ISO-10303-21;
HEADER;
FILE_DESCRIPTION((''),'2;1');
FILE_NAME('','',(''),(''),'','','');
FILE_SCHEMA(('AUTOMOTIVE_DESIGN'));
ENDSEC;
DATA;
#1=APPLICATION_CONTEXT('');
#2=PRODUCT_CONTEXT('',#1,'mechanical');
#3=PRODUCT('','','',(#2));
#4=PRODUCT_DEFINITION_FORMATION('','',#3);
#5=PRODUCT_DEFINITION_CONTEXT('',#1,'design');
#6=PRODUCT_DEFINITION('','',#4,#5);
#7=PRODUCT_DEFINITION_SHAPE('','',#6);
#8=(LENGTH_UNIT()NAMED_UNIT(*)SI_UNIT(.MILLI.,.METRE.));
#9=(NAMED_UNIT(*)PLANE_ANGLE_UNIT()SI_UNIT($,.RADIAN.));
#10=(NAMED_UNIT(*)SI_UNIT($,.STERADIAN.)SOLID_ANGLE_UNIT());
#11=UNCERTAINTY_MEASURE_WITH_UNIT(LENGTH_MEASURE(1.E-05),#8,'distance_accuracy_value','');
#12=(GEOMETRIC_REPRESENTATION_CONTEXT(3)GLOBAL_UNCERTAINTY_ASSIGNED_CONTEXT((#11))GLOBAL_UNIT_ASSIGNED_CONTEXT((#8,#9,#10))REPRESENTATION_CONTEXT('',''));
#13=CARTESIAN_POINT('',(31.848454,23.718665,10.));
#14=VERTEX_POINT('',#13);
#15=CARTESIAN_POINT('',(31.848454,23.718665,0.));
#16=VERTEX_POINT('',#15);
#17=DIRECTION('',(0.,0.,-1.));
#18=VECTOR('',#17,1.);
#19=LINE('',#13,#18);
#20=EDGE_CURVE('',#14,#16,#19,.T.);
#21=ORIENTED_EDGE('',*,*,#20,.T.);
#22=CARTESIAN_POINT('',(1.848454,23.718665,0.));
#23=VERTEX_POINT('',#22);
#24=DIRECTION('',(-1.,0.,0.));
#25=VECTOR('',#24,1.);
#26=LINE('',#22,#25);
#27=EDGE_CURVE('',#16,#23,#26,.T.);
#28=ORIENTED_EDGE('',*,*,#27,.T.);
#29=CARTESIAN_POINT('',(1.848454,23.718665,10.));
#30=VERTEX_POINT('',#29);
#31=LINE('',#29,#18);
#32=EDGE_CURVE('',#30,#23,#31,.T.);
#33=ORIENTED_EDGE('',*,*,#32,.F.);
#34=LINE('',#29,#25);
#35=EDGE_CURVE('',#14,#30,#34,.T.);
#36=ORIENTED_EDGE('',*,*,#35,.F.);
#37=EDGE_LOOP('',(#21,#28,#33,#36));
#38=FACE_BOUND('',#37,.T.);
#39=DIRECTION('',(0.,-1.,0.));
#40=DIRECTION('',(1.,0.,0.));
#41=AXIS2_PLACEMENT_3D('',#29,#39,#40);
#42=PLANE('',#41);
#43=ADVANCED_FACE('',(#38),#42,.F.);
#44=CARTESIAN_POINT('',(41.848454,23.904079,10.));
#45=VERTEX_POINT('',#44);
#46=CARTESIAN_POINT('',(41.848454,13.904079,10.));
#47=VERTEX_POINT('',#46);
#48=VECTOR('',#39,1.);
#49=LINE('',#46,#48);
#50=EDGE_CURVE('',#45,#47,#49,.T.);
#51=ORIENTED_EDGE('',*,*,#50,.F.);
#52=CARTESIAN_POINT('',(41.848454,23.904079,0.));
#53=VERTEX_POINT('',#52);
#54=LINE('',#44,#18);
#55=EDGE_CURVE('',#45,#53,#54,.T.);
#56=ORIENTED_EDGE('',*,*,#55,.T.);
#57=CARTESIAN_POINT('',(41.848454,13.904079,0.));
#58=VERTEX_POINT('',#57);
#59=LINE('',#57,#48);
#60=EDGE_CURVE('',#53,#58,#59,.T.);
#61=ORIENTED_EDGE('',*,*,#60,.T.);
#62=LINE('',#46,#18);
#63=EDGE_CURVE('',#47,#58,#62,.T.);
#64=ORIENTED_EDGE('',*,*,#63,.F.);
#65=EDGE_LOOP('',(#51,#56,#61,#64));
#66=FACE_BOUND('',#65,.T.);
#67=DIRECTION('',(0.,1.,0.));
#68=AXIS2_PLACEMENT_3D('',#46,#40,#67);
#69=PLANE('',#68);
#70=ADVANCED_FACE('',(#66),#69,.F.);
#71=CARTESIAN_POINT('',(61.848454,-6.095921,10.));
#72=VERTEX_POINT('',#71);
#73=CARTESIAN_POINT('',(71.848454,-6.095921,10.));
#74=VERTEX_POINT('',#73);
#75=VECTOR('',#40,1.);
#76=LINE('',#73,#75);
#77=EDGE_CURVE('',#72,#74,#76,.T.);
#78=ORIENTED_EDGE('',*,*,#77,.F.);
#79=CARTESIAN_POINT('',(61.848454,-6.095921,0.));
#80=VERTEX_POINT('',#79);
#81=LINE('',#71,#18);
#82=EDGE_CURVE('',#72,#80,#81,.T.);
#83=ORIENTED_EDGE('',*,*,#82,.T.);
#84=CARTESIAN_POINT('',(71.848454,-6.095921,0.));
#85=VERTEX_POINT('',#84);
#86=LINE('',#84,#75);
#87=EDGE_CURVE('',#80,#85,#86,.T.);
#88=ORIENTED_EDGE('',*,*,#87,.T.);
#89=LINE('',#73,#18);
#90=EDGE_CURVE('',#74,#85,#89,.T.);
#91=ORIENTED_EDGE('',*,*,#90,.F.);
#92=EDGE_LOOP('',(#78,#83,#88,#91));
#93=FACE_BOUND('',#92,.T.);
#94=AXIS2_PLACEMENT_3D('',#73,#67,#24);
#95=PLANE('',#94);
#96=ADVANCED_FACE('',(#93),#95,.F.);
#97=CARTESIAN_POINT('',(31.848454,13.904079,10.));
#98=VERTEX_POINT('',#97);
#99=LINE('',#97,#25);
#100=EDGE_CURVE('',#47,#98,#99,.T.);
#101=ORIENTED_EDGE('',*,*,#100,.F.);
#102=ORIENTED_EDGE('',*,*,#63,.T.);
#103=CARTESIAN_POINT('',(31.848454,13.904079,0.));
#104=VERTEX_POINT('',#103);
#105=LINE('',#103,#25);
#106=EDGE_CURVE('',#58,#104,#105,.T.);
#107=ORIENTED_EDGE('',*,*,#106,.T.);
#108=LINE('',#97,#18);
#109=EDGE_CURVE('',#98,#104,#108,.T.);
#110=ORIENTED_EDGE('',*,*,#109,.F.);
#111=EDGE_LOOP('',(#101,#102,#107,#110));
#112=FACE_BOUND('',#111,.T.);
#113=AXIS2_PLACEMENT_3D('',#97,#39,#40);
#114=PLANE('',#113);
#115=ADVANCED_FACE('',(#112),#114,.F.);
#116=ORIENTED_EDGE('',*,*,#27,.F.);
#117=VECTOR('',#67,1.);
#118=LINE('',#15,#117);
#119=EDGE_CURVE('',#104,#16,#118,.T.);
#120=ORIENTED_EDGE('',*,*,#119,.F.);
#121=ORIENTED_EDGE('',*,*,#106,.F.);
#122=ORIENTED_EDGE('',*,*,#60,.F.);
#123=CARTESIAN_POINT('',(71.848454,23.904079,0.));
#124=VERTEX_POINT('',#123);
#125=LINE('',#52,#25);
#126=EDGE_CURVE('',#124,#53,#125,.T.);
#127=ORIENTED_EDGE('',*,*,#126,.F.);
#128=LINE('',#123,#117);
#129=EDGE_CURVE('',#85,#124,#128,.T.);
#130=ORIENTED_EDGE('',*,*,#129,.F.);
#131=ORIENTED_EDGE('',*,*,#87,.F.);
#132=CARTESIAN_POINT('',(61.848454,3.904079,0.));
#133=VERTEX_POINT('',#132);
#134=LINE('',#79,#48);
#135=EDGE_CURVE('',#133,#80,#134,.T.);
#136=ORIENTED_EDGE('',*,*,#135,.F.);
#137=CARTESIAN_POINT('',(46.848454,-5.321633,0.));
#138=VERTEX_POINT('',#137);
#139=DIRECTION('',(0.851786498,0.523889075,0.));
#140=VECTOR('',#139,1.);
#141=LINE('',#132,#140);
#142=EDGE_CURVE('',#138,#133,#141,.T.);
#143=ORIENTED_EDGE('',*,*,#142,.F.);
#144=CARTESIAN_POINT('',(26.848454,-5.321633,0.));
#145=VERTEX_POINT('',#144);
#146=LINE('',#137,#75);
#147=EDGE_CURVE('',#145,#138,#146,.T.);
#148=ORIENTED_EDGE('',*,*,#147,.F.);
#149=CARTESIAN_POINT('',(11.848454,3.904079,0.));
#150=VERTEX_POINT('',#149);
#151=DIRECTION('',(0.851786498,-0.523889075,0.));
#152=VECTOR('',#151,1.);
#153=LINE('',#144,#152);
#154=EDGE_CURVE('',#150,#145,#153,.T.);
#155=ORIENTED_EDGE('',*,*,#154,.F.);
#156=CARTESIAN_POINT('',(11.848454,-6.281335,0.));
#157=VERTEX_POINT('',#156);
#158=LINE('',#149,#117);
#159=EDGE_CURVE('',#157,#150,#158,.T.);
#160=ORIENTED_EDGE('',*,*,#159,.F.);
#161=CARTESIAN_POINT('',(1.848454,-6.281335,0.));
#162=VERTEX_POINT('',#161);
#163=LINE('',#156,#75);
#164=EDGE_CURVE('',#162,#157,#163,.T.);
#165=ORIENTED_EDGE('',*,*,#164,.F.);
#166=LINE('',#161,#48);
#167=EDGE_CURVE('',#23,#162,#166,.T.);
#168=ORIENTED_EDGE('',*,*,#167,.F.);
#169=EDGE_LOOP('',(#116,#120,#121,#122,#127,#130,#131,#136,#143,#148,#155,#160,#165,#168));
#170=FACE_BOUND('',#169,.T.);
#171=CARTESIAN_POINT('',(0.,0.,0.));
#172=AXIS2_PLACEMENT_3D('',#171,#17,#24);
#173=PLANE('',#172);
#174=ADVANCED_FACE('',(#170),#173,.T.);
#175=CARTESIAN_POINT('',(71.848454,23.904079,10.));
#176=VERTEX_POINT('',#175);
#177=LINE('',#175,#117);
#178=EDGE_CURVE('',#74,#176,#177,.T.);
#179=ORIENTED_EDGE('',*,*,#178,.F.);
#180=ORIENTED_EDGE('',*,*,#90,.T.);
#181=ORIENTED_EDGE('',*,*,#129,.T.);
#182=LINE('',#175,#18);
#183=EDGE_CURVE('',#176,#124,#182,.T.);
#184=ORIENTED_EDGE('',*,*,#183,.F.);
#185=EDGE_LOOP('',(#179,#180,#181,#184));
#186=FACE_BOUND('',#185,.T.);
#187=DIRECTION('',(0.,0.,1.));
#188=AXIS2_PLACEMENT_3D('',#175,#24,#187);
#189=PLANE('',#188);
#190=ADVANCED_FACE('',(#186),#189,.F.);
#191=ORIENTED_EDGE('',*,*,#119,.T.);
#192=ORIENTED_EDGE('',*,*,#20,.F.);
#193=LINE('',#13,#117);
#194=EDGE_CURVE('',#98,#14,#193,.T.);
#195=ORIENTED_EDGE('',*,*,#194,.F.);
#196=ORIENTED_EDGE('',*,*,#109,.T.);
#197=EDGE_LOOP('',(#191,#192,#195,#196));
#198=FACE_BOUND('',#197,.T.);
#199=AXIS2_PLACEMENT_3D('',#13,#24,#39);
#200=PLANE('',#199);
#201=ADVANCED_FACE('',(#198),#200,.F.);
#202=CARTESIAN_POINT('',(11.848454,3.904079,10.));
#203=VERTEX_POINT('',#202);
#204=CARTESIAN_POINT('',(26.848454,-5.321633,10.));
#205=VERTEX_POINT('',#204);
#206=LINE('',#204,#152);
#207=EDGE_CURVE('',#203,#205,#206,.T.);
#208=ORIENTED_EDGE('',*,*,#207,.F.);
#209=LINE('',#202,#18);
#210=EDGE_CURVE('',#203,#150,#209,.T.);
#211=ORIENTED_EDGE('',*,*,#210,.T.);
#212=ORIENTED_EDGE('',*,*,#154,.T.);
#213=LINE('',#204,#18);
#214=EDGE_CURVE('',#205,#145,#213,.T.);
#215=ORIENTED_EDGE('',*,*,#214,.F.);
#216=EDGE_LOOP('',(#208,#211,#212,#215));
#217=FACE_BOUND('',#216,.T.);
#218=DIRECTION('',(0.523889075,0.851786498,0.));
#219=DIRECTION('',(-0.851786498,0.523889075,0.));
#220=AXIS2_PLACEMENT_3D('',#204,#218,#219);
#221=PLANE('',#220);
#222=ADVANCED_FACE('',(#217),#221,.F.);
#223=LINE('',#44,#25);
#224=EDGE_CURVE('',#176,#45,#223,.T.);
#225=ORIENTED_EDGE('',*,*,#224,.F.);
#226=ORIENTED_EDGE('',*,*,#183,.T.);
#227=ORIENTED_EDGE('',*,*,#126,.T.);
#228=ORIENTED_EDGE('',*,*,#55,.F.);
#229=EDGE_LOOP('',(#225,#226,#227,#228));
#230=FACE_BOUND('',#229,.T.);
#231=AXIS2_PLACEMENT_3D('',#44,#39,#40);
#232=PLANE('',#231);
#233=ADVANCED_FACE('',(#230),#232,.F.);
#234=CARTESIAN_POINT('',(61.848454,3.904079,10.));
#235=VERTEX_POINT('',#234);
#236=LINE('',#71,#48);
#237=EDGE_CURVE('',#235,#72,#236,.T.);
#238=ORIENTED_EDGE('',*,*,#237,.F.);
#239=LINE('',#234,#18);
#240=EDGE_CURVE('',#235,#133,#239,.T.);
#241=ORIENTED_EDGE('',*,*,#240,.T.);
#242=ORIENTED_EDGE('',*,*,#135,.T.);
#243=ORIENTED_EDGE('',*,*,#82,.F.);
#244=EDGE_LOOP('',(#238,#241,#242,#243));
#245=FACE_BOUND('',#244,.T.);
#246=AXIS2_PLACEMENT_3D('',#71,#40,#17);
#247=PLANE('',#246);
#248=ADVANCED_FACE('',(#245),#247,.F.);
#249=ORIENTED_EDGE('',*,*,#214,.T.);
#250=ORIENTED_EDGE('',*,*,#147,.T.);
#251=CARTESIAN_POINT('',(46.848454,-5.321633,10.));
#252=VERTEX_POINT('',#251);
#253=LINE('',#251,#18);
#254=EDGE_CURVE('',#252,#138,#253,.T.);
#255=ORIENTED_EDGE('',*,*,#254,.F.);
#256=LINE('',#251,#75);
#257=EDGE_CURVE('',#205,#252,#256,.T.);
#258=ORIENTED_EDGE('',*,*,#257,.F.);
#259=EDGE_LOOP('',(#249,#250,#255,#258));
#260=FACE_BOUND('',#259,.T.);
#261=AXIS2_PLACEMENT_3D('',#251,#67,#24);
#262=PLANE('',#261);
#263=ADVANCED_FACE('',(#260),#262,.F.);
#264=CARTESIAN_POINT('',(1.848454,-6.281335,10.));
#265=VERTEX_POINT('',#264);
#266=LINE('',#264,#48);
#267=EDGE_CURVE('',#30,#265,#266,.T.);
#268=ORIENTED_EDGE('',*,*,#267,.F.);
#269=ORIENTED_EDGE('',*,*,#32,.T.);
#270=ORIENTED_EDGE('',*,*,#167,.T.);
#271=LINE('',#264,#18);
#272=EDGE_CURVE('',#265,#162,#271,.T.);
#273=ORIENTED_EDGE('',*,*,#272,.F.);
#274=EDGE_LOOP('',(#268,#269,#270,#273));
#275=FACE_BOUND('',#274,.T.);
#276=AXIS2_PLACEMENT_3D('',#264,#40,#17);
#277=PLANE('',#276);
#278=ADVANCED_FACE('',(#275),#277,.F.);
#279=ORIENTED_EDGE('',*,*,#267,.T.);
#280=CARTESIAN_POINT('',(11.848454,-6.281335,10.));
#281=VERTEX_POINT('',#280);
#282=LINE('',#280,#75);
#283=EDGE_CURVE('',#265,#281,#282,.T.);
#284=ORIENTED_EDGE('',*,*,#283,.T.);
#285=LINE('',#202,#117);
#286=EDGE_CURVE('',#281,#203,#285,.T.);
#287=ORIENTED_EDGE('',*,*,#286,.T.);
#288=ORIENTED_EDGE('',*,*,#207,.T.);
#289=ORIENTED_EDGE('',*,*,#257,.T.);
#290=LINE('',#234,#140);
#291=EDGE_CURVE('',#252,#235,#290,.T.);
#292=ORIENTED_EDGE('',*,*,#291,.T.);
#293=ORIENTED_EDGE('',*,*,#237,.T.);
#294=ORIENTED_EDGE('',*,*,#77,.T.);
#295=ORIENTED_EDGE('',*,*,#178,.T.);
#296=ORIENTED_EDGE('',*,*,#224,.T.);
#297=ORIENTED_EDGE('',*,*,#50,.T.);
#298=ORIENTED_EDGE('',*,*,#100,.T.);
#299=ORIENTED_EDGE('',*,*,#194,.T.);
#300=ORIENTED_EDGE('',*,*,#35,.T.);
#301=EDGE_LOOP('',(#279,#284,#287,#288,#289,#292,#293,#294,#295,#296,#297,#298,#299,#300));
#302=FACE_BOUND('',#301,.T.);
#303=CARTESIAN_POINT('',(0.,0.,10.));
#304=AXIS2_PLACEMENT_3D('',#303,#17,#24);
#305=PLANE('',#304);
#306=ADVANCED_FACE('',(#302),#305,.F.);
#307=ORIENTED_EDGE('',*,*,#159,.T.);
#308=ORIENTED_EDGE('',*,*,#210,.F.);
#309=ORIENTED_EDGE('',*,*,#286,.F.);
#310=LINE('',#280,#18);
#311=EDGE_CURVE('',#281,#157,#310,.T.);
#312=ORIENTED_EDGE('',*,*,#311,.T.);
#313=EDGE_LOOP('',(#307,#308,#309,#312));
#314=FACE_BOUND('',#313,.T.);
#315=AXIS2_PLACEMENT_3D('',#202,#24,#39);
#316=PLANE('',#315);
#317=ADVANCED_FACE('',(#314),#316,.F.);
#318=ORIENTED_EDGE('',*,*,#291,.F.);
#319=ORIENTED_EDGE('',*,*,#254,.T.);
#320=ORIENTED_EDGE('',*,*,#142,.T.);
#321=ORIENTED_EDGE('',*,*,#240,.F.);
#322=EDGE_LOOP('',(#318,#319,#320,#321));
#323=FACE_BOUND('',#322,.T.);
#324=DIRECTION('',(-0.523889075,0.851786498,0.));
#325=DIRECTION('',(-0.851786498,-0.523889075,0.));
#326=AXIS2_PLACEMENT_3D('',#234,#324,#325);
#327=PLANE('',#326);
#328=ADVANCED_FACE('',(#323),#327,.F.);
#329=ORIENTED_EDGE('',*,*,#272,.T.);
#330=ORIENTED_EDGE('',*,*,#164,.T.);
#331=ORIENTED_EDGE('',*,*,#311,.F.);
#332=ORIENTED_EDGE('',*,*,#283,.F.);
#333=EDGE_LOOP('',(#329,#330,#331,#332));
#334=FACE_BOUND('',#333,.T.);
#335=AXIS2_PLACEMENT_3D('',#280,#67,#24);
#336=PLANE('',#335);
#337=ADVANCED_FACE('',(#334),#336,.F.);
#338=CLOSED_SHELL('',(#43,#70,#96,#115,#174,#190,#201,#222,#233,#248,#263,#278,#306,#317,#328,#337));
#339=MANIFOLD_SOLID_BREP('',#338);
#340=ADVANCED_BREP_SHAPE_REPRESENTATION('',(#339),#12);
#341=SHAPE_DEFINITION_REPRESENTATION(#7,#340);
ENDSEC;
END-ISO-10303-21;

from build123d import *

# Parameters (mm, degrees)
BOSS_EXTRUDE1_DEPTH = 10


with BuildPart() as part:
    # Sketch2 → Boss-Extrude1 (new body)
    with BuildSketch(Plane.XY):
        Polygon((1.848454433, 23.718664804), (31.848454433, 23.718664804), (31.848454433, 13.90407856), (41.848454433, 13.90407856), (41.848454433, 23.90407856), (71.848454433, 23.90407856), (71.848454433, -6.09592144), (61.848454433, -6.09592144), (61.848454433, 3.90407856), (46.848454433, -5.321632509), (26.848454433, -5.321632509), (11.848454433, 3.90407856), (11.848454433, -6.281335196), (1.848454433, -6.281335196), align=None)
    extrude(amount=BOSS_EXTRUDE1_DEPTH)


solid = part.part
